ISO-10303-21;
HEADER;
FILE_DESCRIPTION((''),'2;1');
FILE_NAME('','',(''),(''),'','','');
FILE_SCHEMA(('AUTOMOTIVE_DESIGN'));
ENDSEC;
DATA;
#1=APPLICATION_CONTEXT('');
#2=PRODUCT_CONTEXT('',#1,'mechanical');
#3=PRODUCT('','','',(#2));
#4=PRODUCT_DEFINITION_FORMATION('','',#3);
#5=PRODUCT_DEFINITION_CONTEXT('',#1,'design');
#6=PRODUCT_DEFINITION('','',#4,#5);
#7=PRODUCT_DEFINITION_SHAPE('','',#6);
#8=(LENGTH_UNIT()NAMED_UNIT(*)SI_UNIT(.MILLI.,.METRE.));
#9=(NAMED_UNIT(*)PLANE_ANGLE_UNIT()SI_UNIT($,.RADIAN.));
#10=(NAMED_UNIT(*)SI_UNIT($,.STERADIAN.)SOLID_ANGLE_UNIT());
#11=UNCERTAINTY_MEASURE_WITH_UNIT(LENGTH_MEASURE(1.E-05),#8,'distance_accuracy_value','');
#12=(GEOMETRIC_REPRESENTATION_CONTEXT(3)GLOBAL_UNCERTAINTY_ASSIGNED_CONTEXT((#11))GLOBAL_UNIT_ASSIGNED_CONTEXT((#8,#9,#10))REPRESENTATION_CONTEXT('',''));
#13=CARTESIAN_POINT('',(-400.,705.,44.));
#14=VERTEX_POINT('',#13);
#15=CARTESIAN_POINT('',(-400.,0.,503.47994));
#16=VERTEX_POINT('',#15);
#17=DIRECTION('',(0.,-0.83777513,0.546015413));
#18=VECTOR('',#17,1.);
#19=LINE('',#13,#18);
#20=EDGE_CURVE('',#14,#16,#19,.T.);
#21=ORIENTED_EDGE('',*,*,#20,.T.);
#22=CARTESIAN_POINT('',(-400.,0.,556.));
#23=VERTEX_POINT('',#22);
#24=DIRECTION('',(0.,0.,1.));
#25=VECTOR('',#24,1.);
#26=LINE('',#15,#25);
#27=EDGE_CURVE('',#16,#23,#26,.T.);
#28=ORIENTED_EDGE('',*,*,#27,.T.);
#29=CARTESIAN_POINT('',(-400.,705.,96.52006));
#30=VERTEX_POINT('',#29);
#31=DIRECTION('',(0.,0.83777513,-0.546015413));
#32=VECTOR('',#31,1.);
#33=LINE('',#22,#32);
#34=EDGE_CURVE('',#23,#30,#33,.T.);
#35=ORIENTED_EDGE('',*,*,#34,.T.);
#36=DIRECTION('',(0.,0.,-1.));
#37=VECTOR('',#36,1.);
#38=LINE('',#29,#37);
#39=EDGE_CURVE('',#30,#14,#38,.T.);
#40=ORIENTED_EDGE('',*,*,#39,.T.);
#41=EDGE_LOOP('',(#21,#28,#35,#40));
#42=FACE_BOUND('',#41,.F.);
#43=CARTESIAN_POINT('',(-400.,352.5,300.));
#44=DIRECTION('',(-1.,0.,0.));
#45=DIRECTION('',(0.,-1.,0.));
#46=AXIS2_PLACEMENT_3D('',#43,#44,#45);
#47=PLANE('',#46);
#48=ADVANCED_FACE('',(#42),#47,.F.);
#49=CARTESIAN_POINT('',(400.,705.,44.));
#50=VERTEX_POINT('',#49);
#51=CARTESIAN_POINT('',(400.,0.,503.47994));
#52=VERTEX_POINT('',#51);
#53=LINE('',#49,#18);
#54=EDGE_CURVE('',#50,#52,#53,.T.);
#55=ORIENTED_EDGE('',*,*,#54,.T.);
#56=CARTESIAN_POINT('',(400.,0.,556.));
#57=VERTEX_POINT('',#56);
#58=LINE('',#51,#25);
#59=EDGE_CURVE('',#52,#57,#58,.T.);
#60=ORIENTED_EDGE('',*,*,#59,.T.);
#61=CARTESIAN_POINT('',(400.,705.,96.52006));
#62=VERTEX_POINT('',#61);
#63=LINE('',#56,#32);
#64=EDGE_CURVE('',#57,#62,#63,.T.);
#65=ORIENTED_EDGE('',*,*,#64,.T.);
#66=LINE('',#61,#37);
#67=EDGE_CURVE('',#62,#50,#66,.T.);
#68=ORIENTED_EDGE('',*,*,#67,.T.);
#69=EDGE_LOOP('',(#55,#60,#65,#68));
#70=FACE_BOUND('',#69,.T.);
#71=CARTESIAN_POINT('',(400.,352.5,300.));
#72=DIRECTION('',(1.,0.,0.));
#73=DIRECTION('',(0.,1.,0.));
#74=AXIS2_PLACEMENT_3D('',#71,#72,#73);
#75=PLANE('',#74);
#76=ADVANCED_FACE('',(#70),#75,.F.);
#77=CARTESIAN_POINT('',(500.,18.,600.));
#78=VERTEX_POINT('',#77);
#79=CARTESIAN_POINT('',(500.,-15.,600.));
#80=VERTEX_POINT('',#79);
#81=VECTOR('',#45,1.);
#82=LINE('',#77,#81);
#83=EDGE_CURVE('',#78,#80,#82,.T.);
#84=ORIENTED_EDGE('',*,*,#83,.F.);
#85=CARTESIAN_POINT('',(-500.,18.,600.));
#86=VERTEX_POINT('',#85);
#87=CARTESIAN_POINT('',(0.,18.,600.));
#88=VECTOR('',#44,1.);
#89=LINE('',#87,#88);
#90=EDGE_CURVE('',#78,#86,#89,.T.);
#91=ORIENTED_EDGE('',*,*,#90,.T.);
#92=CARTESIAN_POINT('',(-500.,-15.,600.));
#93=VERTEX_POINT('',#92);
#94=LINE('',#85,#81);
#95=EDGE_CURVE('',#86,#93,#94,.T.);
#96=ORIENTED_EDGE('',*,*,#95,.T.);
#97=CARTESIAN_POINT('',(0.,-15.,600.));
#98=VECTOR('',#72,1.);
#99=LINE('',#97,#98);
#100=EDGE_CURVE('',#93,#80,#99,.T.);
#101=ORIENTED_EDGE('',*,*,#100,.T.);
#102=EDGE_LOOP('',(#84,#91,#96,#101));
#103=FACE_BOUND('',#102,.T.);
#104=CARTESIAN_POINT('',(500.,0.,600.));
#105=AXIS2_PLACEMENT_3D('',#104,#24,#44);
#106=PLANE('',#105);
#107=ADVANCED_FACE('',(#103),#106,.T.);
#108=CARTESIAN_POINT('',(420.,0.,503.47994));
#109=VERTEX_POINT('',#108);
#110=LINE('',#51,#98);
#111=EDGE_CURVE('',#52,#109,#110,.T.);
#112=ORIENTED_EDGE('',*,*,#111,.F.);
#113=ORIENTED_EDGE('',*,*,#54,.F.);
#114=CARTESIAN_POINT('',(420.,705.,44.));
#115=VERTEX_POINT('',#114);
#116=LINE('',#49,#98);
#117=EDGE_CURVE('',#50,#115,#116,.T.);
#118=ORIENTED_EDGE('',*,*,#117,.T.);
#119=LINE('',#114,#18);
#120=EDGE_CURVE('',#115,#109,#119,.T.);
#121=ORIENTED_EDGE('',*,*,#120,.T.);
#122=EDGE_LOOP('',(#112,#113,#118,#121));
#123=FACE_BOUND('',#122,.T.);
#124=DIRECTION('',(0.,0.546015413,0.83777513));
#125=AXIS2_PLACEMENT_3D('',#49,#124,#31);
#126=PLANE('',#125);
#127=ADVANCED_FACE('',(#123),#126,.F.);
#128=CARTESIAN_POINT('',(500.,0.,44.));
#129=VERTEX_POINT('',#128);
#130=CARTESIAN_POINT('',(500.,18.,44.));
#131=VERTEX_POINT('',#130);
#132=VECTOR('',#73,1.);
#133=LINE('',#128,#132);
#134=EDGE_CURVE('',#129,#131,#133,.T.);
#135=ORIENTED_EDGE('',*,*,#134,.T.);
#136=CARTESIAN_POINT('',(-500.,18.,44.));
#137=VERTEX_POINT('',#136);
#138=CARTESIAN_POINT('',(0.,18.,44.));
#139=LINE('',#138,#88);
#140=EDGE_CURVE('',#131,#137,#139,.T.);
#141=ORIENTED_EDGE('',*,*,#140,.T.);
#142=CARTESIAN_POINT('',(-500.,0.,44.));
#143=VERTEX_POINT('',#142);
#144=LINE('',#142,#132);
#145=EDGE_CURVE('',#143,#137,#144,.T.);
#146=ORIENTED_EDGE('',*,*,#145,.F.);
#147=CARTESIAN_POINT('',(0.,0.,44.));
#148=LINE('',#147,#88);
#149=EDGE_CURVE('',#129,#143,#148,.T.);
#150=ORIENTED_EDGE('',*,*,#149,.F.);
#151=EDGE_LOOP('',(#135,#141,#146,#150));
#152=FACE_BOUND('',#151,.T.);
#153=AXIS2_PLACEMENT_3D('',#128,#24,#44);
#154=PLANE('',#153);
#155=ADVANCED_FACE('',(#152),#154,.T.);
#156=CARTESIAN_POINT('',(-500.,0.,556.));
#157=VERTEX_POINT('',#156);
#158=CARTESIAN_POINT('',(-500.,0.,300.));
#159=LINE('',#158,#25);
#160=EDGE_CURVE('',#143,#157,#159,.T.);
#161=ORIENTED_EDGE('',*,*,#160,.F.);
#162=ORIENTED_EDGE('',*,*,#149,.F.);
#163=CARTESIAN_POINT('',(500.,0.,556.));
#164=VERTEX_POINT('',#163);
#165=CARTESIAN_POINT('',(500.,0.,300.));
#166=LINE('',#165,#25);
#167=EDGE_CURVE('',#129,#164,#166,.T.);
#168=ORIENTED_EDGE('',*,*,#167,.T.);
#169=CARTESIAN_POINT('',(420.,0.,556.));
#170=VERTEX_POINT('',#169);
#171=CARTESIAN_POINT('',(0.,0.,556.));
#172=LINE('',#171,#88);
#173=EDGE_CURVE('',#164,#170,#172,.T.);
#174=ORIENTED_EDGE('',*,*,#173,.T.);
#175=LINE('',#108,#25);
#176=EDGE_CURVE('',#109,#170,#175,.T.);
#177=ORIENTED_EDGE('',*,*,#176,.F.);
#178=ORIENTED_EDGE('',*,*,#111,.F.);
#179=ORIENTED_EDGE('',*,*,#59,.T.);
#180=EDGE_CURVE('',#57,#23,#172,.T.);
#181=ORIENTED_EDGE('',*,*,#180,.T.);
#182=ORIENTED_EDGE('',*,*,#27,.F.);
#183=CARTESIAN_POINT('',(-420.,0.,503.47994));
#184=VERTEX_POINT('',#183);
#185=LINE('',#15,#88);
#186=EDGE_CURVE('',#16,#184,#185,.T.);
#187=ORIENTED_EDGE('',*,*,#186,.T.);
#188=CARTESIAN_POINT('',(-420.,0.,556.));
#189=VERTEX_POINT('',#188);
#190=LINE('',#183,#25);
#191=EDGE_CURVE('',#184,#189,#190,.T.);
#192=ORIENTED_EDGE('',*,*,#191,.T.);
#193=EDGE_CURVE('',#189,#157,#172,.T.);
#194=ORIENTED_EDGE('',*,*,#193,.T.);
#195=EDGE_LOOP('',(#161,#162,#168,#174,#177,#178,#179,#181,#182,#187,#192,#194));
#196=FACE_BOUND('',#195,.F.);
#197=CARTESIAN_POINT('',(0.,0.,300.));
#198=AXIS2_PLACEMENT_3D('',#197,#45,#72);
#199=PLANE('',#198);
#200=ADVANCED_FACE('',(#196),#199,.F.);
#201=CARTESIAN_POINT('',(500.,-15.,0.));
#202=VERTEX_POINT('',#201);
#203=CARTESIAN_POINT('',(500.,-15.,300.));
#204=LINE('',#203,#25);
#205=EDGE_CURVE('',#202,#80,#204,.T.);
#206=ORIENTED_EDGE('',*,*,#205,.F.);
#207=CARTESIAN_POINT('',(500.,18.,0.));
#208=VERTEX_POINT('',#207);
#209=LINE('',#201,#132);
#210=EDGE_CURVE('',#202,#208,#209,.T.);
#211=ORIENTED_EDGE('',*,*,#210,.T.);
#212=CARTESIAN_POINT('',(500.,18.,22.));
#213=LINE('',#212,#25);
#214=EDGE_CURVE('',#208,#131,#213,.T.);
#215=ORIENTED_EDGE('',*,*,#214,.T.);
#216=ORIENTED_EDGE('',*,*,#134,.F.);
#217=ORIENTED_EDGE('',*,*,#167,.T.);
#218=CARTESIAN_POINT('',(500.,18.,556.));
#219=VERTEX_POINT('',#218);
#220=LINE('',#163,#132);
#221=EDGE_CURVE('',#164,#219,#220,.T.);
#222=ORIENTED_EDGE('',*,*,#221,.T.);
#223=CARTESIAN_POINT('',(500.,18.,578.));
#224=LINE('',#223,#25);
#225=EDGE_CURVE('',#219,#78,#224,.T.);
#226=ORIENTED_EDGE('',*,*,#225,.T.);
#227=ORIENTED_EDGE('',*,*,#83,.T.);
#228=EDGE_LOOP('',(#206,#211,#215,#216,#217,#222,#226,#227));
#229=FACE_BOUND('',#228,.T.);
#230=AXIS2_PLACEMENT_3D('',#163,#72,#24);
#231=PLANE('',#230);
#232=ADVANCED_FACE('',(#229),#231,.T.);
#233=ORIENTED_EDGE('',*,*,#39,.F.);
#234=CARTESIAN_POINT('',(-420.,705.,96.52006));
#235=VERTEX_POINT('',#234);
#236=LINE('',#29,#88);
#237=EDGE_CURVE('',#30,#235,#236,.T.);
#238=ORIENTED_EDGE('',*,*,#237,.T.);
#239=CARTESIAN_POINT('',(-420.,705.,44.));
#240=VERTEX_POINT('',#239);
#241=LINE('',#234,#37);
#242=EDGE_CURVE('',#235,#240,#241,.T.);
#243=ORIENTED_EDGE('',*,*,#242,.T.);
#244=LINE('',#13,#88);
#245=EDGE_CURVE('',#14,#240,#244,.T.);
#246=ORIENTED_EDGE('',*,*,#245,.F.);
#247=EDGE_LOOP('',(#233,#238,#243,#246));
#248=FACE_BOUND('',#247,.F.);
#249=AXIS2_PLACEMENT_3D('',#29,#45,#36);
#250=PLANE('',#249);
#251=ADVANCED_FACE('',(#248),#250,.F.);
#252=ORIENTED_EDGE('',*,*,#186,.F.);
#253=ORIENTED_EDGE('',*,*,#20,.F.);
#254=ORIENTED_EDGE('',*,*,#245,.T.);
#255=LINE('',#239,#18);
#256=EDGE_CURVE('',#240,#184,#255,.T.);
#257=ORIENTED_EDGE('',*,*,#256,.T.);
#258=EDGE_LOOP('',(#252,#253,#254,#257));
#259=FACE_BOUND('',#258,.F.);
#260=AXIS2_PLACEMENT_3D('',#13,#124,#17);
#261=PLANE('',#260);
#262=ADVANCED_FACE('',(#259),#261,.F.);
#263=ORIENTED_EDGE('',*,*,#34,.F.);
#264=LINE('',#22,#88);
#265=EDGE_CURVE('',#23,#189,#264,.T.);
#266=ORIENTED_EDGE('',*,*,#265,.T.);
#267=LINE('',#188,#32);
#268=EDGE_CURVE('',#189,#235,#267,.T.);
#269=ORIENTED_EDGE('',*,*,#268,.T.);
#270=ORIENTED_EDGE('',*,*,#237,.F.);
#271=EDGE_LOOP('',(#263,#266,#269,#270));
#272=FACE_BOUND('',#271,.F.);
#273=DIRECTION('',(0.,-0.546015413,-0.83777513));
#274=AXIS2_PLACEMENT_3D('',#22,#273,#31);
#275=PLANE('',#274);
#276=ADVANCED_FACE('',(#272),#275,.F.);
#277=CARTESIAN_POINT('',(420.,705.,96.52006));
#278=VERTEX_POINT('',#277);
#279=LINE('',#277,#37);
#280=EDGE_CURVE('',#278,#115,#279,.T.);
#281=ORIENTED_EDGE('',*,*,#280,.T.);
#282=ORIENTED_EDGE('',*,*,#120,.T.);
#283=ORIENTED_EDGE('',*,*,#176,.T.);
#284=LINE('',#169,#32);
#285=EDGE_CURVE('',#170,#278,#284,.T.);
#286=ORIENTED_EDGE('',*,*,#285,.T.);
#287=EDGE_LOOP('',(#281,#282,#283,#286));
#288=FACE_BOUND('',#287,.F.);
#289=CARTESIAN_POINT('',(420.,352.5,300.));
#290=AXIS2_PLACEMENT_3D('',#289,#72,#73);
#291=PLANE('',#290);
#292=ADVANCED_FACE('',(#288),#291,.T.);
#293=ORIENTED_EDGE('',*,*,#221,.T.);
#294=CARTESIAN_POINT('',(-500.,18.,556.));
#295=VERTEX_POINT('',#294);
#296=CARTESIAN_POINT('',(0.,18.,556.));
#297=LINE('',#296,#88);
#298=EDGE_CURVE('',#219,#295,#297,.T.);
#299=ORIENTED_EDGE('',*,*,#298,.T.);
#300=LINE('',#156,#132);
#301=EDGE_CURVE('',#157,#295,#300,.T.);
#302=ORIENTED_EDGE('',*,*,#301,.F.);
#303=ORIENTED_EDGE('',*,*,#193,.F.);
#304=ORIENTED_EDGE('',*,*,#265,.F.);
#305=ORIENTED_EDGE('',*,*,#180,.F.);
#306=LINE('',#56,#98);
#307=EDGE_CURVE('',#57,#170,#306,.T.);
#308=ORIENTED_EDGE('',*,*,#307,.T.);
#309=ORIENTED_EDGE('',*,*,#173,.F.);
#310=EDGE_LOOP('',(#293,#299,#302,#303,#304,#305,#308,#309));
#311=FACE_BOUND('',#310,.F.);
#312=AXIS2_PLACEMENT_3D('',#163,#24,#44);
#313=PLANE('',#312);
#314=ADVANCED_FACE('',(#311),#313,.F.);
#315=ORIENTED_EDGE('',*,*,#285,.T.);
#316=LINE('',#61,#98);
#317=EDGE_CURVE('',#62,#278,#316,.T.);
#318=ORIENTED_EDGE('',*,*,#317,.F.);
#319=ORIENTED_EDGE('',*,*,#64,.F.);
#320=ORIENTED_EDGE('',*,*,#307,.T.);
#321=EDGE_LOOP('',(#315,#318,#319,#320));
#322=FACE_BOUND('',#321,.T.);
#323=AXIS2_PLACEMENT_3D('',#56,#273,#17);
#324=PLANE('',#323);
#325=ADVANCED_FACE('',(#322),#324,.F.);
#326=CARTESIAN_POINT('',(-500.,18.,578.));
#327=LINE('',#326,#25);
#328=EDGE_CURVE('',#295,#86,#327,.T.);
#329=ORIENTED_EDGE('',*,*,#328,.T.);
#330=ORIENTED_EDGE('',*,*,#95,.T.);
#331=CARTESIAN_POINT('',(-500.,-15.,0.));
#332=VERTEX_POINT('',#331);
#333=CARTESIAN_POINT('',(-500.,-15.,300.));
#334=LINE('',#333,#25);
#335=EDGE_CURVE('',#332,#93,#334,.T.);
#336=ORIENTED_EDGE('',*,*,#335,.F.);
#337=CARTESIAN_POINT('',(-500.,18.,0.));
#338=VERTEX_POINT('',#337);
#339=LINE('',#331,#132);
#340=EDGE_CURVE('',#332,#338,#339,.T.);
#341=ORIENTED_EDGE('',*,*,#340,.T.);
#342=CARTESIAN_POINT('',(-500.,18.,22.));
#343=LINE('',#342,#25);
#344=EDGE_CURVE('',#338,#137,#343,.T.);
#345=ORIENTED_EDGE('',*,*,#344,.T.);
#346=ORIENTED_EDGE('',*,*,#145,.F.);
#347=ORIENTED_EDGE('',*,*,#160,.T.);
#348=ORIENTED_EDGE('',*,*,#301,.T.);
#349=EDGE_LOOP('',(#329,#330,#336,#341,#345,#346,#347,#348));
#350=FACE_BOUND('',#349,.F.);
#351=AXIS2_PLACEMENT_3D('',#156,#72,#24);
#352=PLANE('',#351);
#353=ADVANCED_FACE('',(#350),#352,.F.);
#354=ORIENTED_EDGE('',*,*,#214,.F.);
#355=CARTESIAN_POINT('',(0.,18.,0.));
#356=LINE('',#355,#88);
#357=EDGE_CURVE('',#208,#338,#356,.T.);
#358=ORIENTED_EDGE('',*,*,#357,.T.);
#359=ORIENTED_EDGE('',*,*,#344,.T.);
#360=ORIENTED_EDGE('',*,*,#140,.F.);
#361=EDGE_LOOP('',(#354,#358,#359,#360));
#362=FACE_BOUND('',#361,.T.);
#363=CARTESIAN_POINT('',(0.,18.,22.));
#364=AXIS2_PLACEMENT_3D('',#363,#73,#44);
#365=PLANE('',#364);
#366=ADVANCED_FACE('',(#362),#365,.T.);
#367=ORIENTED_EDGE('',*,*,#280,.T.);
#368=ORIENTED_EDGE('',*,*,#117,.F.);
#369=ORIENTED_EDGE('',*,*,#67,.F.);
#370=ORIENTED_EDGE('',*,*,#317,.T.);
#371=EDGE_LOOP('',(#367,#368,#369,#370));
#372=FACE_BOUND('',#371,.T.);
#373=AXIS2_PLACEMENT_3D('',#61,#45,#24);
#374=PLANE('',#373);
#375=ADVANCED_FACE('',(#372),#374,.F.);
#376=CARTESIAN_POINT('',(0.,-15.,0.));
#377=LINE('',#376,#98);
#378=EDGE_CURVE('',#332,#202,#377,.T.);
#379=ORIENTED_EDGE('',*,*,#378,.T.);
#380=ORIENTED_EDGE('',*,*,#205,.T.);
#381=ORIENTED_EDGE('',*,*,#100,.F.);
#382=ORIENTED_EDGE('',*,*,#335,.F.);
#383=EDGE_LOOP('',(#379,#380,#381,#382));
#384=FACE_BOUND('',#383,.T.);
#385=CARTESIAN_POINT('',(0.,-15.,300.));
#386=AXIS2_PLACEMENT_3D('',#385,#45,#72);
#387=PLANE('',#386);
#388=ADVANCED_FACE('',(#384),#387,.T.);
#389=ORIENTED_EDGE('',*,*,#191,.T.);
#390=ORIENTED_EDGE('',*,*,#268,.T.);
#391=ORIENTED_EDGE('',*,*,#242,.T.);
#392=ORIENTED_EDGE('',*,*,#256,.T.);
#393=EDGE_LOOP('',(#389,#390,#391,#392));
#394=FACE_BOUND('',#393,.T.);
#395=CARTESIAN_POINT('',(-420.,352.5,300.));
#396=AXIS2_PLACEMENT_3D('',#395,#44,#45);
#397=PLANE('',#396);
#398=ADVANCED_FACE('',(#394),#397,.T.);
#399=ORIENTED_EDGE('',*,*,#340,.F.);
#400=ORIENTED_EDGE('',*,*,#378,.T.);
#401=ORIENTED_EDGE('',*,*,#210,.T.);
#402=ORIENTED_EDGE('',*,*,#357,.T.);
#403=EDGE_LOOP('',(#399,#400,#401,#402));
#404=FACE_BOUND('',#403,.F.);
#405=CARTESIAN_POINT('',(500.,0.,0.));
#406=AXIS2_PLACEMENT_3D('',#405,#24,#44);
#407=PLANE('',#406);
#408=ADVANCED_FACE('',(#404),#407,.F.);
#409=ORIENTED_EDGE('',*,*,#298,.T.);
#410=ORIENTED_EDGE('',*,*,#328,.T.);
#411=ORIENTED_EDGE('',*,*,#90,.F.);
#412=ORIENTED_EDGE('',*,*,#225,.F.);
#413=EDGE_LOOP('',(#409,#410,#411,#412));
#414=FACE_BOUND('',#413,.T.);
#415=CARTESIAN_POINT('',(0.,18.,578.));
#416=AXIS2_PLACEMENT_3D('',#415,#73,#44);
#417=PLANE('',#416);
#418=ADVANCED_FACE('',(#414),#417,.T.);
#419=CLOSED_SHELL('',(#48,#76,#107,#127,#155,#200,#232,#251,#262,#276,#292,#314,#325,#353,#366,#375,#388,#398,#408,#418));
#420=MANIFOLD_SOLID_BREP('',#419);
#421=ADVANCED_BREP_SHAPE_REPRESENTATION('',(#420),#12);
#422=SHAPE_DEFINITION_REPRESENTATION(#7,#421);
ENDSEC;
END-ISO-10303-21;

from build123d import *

# Parameters (mm, degrees)
F0_W     = 1000
F0_H     = 600
F1_DEPTH = 15
F3_W     = 1000
F3_H     = 44
F4_DEPTH = 18
F5_W     = 1000
F5_H     = 44
F6_DEPTH = 18
F9_DEPTH = 20


with BuildPart() as f1:
    # F0 (on Front) → F1 (new body)
    with BuildSketch(Plane.XZ):
        with Locations((0, 300)):
            Rectangle(F0_W, F0_H)
    extrude(amount=F1_DEPTH)

    # F3 (on offset) → F4 (join)
    with BuildSketch(Plane(origin=(0, 0, 0), x_dir=(-1, 0, 0), z_dir=(0, 1, 0))):
        with Locations((0, 22)):
            Rectangle(F3_W, F3_H)
    extrude(amount=F4_DEPTH)

    # F5 (on offset) → F6 (join)
    with BuildSketch(Plane(origin=(0, 0, 0), x_dir=(-1, 0, 0), z_dir=(0, 1, 0))):
        with Locations((0, 578)):
            Rectangle(F5_W, F5_H)
    extrude(amount=F6_DEPTH)

    # F8 (on offset) → F9 (join)
    with BuildSketch(Plane(origin=(-400, 0, 0), x_dir=(0, -1, 0), z_dir=(-1, 0, 0))):
        Polygon((0, 503.4799401049), (0, 556), (-705, 96.5200598951), (-705, 44), align=None)
    extrude(amount=F9_DEPTH)

    # F10: F1 across plane


with BuildPart() as f1_1:
    add(f1.part)
    add(f1.part.mirror(Plane.YZ))


solid = f1_1.part
